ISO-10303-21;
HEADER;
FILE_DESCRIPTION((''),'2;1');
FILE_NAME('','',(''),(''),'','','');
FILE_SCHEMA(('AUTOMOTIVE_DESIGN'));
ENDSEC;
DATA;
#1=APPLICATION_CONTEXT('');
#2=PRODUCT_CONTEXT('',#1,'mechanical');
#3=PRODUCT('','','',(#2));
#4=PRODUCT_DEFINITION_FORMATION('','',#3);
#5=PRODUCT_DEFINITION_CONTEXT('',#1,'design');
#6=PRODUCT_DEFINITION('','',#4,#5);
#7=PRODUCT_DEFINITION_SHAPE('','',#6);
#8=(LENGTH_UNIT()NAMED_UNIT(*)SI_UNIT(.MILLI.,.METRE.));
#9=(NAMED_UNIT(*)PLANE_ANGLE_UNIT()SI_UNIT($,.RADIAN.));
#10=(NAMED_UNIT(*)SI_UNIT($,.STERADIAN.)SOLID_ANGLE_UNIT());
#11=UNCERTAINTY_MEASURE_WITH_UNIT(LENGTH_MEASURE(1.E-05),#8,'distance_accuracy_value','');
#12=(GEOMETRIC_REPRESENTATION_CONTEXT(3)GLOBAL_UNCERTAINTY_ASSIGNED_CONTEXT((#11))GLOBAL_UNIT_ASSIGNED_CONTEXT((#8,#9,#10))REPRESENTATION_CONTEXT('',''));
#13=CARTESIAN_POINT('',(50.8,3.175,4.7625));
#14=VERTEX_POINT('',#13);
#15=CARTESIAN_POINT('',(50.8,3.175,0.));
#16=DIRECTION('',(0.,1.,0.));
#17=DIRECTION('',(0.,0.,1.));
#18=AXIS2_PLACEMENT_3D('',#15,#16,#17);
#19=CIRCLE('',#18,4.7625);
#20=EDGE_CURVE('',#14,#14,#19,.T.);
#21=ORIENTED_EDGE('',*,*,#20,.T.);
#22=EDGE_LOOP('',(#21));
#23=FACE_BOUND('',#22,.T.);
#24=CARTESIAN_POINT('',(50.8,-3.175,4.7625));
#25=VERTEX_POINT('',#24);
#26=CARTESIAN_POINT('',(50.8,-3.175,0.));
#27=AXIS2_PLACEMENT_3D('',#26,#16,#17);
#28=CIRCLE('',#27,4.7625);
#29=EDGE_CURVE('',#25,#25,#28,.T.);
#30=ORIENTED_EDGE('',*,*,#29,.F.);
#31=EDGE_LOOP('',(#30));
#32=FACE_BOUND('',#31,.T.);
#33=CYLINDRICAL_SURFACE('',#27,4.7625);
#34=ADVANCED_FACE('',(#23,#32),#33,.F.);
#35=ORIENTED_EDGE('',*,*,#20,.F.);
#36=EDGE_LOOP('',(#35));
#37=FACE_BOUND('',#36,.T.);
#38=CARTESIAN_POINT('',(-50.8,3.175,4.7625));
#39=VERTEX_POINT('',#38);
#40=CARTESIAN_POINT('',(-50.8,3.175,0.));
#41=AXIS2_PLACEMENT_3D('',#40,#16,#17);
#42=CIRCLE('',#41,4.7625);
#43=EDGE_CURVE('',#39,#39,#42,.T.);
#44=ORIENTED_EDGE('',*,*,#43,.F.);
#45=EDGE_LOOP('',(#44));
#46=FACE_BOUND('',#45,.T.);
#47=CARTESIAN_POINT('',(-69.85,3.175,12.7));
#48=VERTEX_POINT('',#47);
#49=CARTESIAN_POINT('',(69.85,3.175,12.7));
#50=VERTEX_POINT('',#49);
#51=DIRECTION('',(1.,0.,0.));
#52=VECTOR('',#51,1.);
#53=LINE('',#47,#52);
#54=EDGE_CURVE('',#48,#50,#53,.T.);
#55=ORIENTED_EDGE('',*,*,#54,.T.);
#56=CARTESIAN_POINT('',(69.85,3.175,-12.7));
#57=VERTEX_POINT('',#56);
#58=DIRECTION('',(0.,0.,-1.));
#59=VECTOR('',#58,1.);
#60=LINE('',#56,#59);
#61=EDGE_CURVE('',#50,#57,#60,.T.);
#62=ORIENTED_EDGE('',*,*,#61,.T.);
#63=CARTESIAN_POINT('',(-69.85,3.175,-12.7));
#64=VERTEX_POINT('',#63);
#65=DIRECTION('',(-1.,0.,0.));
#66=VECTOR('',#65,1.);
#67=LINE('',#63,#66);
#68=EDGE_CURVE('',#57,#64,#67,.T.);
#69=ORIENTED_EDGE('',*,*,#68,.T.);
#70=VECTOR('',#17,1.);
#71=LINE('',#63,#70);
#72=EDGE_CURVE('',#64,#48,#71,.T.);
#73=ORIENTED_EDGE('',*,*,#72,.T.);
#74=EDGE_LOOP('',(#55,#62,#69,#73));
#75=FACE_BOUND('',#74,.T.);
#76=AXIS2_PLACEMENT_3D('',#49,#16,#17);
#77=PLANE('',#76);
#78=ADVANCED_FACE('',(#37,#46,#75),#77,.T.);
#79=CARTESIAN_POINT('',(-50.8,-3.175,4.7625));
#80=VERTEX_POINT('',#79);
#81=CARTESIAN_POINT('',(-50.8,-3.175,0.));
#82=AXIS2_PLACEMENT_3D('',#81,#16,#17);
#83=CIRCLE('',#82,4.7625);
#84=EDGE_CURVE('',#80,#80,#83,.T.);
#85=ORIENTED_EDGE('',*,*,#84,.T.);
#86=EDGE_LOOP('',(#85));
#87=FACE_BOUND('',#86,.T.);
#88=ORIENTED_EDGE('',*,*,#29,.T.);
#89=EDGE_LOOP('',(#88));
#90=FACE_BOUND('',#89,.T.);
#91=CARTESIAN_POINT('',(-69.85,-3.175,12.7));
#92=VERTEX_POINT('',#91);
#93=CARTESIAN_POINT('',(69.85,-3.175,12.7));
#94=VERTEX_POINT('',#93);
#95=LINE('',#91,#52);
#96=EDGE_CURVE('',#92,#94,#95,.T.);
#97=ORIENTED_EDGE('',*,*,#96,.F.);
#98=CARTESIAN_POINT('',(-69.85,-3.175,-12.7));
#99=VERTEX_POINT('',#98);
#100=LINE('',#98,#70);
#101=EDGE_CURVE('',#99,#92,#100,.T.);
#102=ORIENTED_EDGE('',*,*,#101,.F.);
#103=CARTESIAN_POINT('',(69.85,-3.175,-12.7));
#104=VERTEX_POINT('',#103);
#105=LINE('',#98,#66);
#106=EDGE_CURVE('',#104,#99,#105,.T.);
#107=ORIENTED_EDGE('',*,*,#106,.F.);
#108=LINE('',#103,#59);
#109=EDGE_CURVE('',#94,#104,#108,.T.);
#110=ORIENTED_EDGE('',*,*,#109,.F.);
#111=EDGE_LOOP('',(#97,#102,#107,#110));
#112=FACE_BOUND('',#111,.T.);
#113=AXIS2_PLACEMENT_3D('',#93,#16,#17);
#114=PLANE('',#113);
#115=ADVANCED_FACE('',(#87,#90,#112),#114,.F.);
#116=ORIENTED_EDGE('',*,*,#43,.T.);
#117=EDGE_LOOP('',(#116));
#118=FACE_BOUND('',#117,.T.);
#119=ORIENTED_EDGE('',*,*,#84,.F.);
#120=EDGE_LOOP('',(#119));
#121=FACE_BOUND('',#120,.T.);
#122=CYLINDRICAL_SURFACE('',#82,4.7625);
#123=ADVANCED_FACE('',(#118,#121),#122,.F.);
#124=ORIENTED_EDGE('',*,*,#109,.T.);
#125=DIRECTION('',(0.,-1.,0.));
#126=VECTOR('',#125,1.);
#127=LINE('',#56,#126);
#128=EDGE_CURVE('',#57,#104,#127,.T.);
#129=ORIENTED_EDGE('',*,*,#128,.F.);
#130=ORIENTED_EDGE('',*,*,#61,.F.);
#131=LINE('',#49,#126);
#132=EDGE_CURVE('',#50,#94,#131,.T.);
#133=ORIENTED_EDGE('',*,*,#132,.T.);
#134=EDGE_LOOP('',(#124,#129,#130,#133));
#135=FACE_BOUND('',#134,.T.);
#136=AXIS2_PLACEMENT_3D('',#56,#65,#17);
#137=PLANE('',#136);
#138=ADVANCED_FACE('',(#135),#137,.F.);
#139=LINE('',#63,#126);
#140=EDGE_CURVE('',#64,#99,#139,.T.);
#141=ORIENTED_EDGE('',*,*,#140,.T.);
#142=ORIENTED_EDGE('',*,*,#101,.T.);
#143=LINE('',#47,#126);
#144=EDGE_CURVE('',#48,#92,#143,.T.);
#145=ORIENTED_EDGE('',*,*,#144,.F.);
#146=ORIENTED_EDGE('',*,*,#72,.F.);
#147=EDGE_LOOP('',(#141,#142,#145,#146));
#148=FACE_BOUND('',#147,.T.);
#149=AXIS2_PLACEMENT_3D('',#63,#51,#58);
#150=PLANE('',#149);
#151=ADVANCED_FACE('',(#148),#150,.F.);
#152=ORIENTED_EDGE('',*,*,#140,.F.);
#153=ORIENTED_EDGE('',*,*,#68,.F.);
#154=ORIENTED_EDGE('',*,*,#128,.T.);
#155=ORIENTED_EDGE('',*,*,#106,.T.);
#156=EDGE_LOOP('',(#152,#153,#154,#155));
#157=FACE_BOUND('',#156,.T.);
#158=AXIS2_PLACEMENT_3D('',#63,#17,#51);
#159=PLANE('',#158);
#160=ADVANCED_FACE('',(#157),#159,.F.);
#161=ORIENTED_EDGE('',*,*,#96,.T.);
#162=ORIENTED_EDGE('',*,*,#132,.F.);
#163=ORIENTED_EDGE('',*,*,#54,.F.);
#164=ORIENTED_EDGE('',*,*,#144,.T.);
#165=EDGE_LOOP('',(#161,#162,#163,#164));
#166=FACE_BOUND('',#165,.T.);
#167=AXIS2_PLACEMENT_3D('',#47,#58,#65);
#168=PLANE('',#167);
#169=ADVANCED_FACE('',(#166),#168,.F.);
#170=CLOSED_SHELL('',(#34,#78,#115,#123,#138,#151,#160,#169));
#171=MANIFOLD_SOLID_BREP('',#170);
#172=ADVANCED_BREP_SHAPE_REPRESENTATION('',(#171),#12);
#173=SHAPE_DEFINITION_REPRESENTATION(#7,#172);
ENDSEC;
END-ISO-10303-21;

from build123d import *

# Parameters (mm, degrees)
SKETCH1_W           = 139.7
SKETCH1_H           = 25.4
BOSS_EXTRUDE1_DEPTH = 3.175
SKETCH2_R           = 4.7625
CUT_EXTRUDE1_DEPTH  = 7.35


with BuildPart() as part:
    # Sketch1 → Boss-Extrude1 (new body, symmetric)
    with BuildSketch(Plane(origin=(0, 0, 0), x_dir=(1, 0, 0), z_dir=(0, 1, 0))):
        Rectangle(SKETCH1_W, SKETCH1_H)
    extrude(amount=BOSS_EXTRUDE1_DEPTH, both=True)

    # Sketch2 → Cut-Extrude1 (cut, through all)
    with BuildSketch(Plane(origin=(0, 3.175, 0), x_dir=(1, 0, 0), z_dir=(0, 1, 0))):
        with Locations((50.8, 0)):
            Circle(SKETCH2_R)
        with Locations((-50.8, 0)):
            Circle(SKETCH2_R)
    extrude(amount=-CUT_EXTRUDE1_DEPTH, mode=Mode.SUBTRACT)


solid = part.part
